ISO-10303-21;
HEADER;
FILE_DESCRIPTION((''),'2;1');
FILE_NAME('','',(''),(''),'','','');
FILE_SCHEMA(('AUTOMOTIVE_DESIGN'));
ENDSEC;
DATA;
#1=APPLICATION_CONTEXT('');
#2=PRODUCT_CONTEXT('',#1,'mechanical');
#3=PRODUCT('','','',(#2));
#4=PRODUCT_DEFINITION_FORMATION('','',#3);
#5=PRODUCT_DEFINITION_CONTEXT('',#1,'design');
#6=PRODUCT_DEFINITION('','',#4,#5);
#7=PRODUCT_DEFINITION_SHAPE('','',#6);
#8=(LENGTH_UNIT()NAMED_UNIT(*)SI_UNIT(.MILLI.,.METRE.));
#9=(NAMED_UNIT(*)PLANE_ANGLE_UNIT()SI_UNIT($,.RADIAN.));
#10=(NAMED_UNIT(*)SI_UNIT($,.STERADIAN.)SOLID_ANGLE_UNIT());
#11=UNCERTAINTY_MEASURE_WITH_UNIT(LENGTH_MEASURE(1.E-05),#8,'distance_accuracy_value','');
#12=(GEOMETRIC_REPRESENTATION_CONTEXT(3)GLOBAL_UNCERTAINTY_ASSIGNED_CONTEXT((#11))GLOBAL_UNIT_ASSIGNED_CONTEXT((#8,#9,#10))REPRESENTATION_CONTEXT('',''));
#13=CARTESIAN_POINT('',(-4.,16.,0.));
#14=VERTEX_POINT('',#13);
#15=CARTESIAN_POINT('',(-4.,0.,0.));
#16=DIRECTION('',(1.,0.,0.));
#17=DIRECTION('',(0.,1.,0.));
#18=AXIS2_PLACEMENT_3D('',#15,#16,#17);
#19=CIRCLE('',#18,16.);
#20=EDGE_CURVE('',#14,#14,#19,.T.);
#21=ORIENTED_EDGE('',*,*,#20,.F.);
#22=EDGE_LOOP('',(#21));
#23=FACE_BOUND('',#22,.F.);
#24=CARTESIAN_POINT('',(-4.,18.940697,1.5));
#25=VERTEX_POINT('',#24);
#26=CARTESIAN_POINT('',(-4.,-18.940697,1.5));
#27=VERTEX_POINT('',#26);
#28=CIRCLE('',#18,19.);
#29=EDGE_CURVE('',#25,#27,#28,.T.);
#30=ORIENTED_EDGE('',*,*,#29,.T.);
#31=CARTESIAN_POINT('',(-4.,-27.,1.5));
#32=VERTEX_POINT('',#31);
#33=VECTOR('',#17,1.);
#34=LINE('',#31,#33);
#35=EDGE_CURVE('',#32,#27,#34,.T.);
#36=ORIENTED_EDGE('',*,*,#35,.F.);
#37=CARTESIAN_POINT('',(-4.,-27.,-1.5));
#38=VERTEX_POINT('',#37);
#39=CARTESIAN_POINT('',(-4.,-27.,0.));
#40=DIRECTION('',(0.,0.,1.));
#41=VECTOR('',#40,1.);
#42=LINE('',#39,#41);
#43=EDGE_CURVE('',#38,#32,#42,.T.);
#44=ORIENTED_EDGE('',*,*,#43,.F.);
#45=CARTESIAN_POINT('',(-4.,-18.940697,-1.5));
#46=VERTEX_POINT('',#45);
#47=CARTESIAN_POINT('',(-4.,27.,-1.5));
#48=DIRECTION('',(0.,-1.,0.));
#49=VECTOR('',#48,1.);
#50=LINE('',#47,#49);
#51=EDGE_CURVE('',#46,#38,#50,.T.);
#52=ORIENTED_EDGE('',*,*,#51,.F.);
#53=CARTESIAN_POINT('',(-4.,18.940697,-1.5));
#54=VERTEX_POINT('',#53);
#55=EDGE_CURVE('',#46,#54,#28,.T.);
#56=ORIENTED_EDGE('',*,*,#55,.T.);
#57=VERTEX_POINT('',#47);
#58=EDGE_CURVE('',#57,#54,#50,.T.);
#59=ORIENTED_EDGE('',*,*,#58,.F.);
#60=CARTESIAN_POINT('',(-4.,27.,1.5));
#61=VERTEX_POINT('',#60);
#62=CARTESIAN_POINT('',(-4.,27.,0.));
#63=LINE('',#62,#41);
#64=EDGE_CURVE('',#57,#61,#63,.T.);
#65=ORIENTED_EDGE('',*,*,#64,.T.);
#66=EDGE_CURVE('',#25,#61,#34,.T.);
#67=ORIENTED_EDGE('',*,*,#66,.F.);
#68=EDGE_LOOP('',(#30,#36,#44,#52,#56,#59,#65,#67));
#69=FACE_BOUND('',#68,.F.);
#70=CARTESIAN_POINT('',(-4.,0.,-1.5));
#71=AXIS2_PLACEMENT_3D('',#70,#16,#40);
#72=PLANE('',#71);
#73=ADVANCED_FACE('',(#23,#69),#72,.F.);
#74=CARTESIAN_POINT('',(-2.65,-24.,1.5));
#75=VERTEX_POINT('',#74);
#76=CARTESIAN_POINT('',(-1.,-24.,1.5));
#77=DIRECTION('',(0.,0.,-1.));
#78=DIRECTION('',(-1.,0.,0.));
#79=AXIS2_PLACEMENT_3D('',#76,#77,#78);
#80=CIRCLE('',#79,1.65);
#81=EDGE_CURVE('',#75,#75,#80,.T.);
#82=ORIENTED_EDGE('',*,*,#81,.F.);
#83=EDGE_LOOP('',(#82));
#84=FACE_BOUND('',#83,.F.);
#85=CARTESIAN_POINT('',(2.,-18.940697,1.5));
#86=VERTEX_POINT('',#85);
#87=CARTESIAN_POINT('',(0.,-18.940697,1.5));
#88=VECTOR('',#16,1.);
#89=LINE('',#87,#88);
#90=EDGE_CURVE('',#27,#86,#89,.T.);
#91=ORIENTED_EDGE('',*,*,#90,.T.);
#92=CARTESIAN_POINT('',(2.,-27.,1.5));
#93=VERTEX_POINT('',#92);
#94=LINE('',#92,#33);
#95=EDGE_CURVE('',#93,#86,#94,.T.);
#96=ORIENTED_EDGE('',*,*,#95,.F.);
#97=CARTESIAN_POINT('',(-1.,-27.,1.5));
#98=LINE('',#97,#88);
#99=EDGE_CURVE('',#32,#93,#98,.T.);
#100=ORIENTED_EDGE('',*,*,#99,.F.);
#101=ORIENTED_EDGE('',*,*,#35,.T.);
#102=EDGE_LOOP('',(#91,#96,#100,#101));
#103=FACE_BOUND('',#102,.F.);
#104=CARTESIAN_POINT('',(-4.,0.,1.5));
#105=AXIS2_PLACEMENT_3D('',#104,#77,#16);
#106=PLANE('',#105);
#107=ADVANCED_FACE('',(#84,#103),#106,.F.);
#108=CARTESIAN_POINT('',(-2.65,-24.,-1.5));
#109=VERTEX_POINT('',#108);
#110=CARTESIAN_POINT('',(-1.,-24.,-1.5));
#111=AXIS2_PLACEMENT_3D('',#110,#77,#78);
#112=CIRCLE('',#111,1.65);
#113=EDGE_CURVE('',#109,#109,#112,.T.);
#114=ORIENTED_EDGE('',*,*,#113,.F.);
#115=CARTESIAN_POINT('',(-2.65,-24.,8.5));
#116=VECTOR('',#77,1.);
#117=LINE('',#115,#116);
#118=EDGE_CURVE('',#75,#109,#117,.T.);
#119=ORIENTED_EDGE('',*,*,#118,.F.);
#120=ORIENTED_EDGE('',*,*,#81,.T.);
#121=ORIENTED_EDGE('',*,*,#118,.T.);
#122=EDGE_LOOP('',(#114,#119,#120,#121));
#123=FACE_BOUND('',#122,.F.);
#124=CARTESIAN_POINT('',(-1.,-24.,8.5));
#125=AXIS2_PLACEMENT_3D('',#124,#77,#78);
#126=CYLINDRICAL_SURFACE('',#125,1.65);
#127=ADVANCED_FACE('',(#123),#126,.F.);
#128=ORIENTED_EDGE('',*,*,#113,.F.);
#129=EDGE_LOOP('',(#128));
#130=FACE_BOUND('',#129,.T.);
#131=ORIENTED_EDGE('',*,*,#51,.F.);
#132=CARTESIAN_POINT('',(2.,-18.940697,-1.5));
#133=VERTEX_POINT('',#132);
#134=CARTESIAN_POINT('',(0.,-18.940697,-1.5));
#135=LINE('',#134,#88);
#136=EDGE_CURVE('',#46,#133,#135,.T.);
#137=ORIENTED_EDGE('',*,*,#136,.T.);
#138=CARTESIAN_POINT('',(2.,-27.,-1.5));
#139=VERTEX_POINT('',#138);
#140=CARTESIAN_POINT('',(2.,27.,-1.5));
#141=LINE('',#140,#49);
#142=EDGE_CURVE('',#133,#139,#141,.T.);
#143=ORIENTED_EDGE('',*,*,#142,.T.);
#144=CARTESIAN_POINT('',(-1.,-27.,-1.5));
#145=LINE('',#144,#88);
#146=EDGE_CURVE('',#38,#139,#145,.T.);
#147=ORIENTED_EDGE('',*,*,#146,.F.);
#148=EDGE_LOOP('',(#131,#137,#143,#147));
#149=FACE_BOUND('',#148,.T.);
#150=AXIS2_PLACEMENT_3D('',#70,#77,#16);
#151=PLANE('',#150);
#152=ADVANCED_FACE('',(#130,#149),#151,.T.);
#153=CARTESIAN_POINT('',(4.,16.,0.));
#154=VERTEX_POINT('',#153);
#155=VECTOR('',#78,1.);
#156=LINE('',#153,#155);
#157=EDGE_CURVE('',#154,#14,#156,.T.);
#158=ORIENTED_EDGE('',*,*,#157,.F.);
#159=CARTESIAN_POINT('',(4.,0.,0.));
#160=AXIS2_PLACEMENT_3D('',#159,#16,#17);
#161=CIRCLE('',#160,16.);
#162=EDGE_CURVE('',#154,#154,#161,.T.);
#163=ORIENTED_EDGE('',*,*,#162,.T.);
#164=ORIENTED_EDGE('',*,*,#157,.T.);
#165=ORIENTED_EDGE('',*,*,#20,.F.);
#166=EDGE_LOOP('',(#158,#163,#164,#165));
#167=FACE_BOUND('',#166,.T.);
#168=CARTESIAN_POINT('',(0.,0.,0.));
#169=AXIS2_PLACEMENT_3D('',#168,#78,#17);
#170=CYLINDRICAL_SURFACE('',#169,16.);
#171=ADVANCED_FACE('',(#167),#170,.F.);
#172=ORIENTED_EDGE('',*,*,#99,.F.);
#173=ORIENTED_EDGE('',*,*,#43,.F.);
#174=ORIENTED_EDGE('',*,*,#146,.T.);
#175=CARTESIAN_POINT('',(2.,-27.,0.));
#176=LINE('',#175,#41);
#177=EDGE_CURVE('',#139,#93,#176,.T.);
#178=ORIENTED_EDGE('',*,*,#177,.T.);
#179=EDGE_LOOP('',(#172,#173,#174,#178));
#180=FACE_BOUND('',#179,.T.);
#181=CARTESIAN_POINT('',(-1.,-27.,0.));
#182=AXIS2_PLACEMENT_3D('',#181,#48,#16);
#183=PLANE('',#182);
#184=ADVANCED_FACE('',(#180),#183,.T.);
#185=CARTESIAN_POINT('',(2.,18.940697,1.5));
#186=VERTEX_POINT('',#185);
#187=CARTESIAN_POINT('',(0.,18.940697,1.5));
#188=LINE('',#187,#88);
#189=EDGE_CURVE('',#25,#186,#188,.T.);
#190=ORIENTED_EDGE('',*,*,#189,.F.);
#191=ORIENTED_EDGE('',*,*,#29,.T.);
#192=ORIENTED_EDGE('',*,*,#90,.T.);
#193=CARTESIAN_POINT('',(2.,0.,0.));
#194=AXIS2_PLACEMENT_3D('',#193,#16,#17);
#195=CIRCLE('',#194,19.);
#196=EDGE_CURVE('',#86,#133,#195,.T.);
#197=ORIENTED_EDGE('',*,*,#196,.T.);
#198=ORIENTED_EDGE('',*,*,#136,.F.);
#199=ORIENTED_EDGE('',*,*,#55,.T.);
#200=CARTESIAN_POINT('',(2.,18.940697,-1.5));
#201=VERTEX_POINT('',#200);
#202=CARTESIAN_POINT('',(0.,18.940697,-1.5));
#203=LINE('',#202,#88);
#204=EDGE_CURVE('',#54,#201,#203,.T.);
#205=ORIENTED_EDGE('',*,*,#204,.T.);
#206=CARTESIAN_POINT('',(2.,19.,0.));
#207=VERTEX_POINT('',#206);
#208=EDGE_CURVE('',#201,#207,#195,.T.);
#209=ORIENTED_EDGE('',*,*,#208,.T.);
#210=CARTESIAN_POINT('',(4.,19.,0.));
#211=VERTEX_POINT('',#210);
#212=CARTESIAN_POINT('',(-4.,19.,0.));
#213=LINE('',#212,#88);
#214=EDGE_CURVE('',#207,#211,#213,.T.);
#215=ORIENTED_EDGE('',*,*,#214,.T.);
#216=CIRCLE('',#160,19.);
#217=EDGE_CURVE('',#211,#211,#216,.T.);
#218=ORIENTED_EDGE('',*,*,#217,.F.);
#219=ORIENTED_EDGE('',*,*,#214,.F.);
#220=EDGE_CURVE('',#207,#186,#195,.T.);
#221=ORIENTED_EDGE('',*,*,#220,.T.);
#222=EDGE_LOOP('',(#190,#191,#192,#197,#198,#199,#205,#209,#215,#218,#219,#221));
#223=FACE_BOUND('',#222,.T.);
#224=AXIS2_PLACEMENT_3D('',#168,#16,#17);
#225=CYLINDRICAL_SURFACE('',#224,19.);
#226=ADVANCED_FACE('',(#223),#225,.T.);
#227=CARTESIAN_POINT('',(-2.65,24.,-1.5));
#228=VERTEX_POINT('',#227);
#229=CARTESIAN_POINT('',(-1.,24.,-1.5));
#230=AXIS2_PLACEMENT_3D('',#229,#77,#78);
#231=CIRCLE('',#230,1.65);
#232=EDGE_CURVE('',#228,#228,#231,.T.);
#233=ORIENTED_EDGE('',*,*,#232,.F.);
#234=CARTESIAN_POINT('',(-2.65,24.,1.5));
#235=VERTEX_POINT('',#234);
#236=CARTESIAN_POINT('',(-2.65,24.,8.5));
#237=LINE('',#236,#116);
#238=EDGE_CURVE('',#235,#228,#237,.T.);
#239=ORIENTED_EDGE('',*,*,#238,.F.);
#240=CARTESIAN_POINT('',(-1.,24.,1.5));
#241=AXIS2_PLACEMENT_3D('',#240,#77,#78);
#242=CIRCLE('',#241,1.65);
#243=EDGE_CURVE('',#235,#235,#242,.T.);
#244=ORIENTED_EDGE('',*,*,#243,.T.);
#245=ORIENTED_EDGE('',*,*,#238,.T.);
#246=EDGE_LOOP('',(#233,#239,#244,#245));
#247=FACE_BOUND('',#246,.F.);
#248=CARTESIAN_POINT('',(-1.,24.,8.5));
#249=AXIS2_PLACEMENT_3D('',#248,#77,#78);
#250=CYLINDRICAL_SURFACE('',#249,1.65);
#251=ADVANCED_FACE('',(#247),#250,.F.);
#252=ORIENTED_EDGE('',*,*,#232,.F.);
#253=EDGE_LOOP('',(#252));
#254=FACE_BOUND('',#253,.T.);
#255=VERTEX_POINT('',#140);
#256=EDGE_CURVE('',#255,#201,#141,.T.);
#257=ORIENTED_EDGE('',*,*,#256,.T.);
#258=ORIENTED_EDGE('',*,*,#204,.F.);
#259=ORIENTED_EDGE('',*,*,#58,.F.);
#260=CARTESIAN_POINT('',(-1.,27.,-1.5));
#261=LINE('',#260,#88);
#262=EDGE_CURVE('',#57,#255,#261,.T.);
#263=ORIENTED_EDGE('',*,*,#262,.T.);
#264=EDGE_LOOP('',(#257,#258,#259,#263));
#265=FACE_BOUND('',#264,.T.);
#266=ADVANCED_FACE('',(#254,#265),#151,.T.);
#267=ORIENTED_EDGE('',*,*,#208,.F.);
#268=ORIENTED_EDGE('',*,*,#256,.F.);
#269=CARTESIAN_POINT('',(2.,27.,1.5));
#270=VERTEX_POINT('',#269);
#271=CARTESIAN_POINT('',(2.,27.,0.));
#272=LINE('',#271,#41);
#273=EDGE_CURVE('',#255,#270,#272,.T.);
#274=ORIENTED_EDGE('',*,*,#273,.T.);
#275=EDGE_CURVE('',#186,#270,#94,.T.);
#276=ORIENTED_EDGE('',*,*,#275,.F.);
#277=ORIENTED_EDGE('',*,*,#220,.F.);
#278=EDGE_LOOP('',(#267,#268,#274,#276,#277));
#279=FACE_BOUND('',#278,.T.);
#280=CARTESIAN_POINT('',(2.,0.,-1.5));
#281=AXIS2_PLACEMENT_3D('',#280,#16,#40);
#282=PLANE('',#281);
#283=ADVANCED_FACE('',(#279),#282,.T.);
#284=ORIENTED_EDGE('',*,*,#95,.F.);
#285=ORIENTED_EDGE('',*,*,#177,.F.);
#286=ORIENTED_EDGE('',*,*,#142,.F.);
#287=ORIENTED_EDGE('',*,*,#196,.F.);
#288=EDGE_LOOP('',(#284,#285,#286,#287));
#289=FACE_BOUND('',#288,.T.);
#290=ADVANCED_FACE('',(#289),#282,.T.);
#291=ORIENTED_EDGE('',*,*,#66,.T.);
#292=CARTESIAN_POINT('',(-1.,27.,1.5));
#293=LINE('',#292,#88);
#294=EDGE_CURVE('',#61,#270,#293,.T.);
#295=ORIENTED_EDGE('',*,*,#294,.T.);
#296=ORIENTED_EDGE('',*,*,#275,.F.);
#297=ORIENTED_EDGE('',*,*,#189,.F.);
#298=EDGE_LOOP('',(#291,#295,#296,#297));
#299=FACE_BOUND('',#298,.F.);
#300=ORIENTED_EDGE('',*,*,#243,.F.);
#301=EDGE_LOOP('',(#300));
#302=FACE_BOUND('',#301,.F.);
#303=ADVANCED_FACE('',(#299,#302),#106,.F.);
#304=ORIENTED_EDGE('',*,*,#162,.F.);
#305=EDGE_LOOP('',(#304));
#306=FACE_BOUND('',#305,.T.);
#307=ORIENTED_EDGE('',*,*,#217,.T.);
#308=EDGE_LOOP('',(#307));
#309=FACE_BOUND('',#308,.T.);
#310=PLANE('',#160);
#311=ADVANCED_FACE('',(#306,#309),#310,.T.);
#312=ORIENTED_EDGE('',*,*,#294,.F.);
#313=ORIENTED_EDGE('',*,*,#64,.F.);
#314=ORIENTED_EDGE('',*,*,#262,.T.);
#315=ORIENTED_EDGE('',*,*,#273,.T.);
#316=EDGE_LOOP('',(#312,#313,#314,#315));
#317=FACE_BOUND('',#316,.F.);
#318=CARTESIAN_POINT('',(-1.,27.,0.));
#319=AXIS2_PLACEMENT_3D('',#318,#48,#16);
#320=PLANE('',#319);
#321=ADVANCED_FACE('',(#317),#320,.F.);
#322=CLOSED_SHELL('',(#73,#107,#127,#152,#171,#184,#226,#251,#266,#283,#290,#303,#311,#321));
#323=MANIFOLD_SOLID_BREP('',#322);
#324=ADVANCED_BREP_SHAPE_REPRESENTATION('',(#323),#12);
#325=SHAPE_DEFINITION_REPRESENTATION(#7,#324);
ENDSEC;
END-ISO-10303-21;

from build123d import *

# Parameters (mm, degrees)
F0_R     = 19
F0_R_2   = 16
F1_DEPTH = 4
F2_W     = 6
F2_H     = 3
F3_DEPTH = 27
F5_DEPTH = 4
F6_D     = 3.3
F6_DEPTH = 7
F6_TIP   = 0.9914200214


with BuildPart() as f1:
    # F0 (on Right) → F1 (new body, symmetric)
    with BuildSketch(Plane.YZ):
        Circle(F0_R)
        Circle(F0_R_2, mode=Mode.SUBTRACT)
    extrude(amount=F1_DEPTH, both=True)

    # F2 (on Front) → F3 (join, symmetric)
    with BuildSketch(Plane.XZ):
        with Locations((-1, 0)):
            Rectangle(F2_W, F2_H)
    extrude(amount=F3_DEPTH, both=True)

    # F0 (on Right) → F5 (cut, symmetric)
    with BuildSketch(Plane.YZ):
        Circle(F0_R_2)
    extrude(amount=F5_DEPTH, both=True, mode=Mode.SUBTRACT)

    # F6
    with Locations(Plane.XY.offset(1.5)):
        with Locations((-1, 24), (-1, -24)):
            Hole(F6_D / 2, depth=F6_DEPTH)
            with Locations((0, 0, -(F6_DEPTH + F6_TIP / 2))):  # 118° drill point
                Cone(0, F6_D / 2, F6_TIP, mode=Mode.SUBTRACT)


solid = f1.part
